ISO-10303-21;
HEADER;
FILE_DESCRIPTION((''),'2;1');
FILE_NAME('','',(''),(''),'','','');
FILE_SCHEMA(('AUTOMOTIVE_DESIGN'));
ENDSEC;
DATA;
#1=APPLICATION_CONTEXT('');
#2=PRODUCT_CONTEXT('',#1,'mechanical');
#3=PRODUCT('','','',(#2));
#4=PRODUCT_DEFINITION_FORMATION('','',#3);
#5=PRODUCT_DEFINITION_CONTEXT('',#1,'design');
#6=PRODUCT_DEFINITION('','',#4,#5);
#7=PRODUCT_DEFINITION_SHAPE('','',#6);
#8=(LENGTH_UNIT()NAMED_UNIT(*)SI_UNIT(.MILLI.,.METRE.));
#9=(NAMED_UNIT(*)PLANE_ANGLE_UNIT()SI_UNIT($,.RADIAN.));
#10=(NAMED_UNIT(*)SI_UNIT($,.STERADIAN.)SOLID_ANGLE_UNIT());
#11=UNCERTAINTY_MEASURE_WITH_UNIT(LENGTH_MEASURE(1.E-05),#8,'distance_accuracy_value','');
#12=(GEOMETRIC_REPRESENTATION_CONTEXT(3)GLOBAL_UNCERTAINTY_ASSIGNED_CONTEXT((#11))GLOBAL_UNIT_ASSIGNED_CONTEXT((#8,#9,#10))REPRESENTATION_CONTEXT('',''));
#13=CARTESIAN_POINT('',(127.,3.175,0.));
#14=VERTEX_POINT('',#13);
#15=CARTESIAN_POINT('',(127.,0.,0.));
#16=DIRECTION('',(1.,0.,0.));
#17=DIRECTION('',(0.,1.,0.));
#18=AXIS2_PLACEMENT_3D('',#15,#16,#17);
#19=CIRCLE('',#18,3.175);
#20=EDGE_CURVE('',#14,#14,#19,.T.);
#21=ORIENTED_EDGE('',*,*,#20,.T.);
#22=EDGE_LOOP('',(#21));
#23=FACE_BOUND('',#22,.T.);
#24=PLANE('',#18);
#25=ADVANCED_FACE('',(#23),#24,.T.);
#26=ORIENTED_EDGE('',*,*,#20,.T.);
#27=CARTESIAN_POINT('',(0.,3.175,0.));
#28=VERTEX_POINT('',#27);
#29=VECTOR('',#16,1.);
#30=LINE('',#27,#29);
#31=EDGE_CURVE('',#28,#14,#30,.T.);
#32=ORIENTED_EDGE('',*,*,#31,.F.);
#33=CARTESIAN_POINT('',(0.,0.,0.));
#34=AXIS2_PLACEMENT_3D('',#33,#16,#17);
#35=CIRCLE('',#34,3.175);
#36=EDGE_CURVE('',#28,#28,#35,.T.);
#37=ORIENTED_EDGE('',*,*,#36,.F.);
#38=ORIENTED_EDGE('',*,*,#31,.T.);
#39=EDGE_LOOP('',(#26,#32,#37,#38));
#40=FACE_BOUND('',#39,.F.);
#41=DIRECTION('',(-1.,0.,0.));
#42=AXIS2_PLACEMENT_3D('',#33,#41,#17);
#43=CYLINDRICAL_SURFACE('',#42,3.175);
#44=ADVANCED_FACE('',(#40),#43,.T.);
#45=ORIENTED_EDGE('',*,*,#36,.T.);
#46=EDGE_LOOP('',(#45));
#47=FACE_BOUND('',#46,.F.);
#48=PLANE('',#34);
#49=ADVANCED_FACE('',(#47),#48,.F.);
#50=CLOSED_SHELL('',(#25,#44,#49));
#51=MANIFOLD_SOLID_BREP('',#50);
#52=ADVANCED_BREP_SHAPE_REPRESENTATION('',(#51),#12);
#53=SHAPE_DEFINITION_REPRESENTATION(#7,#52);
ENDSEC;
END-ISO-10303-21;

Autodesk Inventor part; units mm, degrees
ref_plane "YZ Plane" through (0, 0, 0) normal (1, 0, 0) x (0, 1, 0)
ref_plane "XZ Plane" through (0, 0, 0) normal (0, 1, 0) x (-1, 0, 0)
ref_plane "XY Plane" through (0, 0, 0) normal (0, 0, 1) x (1, 0, 0)
sketch "Sketch1" plane through (0, 0, 0) normal (1, 0, 0) x (0, 1, 0)
  circle A0 centre (0, 0) radius 3.175
  dimension "d0" = 6.35
extrude "Extrusion1" add sketch "Sketch1" along normal blind 127
properties part number ".25 axle size template"
